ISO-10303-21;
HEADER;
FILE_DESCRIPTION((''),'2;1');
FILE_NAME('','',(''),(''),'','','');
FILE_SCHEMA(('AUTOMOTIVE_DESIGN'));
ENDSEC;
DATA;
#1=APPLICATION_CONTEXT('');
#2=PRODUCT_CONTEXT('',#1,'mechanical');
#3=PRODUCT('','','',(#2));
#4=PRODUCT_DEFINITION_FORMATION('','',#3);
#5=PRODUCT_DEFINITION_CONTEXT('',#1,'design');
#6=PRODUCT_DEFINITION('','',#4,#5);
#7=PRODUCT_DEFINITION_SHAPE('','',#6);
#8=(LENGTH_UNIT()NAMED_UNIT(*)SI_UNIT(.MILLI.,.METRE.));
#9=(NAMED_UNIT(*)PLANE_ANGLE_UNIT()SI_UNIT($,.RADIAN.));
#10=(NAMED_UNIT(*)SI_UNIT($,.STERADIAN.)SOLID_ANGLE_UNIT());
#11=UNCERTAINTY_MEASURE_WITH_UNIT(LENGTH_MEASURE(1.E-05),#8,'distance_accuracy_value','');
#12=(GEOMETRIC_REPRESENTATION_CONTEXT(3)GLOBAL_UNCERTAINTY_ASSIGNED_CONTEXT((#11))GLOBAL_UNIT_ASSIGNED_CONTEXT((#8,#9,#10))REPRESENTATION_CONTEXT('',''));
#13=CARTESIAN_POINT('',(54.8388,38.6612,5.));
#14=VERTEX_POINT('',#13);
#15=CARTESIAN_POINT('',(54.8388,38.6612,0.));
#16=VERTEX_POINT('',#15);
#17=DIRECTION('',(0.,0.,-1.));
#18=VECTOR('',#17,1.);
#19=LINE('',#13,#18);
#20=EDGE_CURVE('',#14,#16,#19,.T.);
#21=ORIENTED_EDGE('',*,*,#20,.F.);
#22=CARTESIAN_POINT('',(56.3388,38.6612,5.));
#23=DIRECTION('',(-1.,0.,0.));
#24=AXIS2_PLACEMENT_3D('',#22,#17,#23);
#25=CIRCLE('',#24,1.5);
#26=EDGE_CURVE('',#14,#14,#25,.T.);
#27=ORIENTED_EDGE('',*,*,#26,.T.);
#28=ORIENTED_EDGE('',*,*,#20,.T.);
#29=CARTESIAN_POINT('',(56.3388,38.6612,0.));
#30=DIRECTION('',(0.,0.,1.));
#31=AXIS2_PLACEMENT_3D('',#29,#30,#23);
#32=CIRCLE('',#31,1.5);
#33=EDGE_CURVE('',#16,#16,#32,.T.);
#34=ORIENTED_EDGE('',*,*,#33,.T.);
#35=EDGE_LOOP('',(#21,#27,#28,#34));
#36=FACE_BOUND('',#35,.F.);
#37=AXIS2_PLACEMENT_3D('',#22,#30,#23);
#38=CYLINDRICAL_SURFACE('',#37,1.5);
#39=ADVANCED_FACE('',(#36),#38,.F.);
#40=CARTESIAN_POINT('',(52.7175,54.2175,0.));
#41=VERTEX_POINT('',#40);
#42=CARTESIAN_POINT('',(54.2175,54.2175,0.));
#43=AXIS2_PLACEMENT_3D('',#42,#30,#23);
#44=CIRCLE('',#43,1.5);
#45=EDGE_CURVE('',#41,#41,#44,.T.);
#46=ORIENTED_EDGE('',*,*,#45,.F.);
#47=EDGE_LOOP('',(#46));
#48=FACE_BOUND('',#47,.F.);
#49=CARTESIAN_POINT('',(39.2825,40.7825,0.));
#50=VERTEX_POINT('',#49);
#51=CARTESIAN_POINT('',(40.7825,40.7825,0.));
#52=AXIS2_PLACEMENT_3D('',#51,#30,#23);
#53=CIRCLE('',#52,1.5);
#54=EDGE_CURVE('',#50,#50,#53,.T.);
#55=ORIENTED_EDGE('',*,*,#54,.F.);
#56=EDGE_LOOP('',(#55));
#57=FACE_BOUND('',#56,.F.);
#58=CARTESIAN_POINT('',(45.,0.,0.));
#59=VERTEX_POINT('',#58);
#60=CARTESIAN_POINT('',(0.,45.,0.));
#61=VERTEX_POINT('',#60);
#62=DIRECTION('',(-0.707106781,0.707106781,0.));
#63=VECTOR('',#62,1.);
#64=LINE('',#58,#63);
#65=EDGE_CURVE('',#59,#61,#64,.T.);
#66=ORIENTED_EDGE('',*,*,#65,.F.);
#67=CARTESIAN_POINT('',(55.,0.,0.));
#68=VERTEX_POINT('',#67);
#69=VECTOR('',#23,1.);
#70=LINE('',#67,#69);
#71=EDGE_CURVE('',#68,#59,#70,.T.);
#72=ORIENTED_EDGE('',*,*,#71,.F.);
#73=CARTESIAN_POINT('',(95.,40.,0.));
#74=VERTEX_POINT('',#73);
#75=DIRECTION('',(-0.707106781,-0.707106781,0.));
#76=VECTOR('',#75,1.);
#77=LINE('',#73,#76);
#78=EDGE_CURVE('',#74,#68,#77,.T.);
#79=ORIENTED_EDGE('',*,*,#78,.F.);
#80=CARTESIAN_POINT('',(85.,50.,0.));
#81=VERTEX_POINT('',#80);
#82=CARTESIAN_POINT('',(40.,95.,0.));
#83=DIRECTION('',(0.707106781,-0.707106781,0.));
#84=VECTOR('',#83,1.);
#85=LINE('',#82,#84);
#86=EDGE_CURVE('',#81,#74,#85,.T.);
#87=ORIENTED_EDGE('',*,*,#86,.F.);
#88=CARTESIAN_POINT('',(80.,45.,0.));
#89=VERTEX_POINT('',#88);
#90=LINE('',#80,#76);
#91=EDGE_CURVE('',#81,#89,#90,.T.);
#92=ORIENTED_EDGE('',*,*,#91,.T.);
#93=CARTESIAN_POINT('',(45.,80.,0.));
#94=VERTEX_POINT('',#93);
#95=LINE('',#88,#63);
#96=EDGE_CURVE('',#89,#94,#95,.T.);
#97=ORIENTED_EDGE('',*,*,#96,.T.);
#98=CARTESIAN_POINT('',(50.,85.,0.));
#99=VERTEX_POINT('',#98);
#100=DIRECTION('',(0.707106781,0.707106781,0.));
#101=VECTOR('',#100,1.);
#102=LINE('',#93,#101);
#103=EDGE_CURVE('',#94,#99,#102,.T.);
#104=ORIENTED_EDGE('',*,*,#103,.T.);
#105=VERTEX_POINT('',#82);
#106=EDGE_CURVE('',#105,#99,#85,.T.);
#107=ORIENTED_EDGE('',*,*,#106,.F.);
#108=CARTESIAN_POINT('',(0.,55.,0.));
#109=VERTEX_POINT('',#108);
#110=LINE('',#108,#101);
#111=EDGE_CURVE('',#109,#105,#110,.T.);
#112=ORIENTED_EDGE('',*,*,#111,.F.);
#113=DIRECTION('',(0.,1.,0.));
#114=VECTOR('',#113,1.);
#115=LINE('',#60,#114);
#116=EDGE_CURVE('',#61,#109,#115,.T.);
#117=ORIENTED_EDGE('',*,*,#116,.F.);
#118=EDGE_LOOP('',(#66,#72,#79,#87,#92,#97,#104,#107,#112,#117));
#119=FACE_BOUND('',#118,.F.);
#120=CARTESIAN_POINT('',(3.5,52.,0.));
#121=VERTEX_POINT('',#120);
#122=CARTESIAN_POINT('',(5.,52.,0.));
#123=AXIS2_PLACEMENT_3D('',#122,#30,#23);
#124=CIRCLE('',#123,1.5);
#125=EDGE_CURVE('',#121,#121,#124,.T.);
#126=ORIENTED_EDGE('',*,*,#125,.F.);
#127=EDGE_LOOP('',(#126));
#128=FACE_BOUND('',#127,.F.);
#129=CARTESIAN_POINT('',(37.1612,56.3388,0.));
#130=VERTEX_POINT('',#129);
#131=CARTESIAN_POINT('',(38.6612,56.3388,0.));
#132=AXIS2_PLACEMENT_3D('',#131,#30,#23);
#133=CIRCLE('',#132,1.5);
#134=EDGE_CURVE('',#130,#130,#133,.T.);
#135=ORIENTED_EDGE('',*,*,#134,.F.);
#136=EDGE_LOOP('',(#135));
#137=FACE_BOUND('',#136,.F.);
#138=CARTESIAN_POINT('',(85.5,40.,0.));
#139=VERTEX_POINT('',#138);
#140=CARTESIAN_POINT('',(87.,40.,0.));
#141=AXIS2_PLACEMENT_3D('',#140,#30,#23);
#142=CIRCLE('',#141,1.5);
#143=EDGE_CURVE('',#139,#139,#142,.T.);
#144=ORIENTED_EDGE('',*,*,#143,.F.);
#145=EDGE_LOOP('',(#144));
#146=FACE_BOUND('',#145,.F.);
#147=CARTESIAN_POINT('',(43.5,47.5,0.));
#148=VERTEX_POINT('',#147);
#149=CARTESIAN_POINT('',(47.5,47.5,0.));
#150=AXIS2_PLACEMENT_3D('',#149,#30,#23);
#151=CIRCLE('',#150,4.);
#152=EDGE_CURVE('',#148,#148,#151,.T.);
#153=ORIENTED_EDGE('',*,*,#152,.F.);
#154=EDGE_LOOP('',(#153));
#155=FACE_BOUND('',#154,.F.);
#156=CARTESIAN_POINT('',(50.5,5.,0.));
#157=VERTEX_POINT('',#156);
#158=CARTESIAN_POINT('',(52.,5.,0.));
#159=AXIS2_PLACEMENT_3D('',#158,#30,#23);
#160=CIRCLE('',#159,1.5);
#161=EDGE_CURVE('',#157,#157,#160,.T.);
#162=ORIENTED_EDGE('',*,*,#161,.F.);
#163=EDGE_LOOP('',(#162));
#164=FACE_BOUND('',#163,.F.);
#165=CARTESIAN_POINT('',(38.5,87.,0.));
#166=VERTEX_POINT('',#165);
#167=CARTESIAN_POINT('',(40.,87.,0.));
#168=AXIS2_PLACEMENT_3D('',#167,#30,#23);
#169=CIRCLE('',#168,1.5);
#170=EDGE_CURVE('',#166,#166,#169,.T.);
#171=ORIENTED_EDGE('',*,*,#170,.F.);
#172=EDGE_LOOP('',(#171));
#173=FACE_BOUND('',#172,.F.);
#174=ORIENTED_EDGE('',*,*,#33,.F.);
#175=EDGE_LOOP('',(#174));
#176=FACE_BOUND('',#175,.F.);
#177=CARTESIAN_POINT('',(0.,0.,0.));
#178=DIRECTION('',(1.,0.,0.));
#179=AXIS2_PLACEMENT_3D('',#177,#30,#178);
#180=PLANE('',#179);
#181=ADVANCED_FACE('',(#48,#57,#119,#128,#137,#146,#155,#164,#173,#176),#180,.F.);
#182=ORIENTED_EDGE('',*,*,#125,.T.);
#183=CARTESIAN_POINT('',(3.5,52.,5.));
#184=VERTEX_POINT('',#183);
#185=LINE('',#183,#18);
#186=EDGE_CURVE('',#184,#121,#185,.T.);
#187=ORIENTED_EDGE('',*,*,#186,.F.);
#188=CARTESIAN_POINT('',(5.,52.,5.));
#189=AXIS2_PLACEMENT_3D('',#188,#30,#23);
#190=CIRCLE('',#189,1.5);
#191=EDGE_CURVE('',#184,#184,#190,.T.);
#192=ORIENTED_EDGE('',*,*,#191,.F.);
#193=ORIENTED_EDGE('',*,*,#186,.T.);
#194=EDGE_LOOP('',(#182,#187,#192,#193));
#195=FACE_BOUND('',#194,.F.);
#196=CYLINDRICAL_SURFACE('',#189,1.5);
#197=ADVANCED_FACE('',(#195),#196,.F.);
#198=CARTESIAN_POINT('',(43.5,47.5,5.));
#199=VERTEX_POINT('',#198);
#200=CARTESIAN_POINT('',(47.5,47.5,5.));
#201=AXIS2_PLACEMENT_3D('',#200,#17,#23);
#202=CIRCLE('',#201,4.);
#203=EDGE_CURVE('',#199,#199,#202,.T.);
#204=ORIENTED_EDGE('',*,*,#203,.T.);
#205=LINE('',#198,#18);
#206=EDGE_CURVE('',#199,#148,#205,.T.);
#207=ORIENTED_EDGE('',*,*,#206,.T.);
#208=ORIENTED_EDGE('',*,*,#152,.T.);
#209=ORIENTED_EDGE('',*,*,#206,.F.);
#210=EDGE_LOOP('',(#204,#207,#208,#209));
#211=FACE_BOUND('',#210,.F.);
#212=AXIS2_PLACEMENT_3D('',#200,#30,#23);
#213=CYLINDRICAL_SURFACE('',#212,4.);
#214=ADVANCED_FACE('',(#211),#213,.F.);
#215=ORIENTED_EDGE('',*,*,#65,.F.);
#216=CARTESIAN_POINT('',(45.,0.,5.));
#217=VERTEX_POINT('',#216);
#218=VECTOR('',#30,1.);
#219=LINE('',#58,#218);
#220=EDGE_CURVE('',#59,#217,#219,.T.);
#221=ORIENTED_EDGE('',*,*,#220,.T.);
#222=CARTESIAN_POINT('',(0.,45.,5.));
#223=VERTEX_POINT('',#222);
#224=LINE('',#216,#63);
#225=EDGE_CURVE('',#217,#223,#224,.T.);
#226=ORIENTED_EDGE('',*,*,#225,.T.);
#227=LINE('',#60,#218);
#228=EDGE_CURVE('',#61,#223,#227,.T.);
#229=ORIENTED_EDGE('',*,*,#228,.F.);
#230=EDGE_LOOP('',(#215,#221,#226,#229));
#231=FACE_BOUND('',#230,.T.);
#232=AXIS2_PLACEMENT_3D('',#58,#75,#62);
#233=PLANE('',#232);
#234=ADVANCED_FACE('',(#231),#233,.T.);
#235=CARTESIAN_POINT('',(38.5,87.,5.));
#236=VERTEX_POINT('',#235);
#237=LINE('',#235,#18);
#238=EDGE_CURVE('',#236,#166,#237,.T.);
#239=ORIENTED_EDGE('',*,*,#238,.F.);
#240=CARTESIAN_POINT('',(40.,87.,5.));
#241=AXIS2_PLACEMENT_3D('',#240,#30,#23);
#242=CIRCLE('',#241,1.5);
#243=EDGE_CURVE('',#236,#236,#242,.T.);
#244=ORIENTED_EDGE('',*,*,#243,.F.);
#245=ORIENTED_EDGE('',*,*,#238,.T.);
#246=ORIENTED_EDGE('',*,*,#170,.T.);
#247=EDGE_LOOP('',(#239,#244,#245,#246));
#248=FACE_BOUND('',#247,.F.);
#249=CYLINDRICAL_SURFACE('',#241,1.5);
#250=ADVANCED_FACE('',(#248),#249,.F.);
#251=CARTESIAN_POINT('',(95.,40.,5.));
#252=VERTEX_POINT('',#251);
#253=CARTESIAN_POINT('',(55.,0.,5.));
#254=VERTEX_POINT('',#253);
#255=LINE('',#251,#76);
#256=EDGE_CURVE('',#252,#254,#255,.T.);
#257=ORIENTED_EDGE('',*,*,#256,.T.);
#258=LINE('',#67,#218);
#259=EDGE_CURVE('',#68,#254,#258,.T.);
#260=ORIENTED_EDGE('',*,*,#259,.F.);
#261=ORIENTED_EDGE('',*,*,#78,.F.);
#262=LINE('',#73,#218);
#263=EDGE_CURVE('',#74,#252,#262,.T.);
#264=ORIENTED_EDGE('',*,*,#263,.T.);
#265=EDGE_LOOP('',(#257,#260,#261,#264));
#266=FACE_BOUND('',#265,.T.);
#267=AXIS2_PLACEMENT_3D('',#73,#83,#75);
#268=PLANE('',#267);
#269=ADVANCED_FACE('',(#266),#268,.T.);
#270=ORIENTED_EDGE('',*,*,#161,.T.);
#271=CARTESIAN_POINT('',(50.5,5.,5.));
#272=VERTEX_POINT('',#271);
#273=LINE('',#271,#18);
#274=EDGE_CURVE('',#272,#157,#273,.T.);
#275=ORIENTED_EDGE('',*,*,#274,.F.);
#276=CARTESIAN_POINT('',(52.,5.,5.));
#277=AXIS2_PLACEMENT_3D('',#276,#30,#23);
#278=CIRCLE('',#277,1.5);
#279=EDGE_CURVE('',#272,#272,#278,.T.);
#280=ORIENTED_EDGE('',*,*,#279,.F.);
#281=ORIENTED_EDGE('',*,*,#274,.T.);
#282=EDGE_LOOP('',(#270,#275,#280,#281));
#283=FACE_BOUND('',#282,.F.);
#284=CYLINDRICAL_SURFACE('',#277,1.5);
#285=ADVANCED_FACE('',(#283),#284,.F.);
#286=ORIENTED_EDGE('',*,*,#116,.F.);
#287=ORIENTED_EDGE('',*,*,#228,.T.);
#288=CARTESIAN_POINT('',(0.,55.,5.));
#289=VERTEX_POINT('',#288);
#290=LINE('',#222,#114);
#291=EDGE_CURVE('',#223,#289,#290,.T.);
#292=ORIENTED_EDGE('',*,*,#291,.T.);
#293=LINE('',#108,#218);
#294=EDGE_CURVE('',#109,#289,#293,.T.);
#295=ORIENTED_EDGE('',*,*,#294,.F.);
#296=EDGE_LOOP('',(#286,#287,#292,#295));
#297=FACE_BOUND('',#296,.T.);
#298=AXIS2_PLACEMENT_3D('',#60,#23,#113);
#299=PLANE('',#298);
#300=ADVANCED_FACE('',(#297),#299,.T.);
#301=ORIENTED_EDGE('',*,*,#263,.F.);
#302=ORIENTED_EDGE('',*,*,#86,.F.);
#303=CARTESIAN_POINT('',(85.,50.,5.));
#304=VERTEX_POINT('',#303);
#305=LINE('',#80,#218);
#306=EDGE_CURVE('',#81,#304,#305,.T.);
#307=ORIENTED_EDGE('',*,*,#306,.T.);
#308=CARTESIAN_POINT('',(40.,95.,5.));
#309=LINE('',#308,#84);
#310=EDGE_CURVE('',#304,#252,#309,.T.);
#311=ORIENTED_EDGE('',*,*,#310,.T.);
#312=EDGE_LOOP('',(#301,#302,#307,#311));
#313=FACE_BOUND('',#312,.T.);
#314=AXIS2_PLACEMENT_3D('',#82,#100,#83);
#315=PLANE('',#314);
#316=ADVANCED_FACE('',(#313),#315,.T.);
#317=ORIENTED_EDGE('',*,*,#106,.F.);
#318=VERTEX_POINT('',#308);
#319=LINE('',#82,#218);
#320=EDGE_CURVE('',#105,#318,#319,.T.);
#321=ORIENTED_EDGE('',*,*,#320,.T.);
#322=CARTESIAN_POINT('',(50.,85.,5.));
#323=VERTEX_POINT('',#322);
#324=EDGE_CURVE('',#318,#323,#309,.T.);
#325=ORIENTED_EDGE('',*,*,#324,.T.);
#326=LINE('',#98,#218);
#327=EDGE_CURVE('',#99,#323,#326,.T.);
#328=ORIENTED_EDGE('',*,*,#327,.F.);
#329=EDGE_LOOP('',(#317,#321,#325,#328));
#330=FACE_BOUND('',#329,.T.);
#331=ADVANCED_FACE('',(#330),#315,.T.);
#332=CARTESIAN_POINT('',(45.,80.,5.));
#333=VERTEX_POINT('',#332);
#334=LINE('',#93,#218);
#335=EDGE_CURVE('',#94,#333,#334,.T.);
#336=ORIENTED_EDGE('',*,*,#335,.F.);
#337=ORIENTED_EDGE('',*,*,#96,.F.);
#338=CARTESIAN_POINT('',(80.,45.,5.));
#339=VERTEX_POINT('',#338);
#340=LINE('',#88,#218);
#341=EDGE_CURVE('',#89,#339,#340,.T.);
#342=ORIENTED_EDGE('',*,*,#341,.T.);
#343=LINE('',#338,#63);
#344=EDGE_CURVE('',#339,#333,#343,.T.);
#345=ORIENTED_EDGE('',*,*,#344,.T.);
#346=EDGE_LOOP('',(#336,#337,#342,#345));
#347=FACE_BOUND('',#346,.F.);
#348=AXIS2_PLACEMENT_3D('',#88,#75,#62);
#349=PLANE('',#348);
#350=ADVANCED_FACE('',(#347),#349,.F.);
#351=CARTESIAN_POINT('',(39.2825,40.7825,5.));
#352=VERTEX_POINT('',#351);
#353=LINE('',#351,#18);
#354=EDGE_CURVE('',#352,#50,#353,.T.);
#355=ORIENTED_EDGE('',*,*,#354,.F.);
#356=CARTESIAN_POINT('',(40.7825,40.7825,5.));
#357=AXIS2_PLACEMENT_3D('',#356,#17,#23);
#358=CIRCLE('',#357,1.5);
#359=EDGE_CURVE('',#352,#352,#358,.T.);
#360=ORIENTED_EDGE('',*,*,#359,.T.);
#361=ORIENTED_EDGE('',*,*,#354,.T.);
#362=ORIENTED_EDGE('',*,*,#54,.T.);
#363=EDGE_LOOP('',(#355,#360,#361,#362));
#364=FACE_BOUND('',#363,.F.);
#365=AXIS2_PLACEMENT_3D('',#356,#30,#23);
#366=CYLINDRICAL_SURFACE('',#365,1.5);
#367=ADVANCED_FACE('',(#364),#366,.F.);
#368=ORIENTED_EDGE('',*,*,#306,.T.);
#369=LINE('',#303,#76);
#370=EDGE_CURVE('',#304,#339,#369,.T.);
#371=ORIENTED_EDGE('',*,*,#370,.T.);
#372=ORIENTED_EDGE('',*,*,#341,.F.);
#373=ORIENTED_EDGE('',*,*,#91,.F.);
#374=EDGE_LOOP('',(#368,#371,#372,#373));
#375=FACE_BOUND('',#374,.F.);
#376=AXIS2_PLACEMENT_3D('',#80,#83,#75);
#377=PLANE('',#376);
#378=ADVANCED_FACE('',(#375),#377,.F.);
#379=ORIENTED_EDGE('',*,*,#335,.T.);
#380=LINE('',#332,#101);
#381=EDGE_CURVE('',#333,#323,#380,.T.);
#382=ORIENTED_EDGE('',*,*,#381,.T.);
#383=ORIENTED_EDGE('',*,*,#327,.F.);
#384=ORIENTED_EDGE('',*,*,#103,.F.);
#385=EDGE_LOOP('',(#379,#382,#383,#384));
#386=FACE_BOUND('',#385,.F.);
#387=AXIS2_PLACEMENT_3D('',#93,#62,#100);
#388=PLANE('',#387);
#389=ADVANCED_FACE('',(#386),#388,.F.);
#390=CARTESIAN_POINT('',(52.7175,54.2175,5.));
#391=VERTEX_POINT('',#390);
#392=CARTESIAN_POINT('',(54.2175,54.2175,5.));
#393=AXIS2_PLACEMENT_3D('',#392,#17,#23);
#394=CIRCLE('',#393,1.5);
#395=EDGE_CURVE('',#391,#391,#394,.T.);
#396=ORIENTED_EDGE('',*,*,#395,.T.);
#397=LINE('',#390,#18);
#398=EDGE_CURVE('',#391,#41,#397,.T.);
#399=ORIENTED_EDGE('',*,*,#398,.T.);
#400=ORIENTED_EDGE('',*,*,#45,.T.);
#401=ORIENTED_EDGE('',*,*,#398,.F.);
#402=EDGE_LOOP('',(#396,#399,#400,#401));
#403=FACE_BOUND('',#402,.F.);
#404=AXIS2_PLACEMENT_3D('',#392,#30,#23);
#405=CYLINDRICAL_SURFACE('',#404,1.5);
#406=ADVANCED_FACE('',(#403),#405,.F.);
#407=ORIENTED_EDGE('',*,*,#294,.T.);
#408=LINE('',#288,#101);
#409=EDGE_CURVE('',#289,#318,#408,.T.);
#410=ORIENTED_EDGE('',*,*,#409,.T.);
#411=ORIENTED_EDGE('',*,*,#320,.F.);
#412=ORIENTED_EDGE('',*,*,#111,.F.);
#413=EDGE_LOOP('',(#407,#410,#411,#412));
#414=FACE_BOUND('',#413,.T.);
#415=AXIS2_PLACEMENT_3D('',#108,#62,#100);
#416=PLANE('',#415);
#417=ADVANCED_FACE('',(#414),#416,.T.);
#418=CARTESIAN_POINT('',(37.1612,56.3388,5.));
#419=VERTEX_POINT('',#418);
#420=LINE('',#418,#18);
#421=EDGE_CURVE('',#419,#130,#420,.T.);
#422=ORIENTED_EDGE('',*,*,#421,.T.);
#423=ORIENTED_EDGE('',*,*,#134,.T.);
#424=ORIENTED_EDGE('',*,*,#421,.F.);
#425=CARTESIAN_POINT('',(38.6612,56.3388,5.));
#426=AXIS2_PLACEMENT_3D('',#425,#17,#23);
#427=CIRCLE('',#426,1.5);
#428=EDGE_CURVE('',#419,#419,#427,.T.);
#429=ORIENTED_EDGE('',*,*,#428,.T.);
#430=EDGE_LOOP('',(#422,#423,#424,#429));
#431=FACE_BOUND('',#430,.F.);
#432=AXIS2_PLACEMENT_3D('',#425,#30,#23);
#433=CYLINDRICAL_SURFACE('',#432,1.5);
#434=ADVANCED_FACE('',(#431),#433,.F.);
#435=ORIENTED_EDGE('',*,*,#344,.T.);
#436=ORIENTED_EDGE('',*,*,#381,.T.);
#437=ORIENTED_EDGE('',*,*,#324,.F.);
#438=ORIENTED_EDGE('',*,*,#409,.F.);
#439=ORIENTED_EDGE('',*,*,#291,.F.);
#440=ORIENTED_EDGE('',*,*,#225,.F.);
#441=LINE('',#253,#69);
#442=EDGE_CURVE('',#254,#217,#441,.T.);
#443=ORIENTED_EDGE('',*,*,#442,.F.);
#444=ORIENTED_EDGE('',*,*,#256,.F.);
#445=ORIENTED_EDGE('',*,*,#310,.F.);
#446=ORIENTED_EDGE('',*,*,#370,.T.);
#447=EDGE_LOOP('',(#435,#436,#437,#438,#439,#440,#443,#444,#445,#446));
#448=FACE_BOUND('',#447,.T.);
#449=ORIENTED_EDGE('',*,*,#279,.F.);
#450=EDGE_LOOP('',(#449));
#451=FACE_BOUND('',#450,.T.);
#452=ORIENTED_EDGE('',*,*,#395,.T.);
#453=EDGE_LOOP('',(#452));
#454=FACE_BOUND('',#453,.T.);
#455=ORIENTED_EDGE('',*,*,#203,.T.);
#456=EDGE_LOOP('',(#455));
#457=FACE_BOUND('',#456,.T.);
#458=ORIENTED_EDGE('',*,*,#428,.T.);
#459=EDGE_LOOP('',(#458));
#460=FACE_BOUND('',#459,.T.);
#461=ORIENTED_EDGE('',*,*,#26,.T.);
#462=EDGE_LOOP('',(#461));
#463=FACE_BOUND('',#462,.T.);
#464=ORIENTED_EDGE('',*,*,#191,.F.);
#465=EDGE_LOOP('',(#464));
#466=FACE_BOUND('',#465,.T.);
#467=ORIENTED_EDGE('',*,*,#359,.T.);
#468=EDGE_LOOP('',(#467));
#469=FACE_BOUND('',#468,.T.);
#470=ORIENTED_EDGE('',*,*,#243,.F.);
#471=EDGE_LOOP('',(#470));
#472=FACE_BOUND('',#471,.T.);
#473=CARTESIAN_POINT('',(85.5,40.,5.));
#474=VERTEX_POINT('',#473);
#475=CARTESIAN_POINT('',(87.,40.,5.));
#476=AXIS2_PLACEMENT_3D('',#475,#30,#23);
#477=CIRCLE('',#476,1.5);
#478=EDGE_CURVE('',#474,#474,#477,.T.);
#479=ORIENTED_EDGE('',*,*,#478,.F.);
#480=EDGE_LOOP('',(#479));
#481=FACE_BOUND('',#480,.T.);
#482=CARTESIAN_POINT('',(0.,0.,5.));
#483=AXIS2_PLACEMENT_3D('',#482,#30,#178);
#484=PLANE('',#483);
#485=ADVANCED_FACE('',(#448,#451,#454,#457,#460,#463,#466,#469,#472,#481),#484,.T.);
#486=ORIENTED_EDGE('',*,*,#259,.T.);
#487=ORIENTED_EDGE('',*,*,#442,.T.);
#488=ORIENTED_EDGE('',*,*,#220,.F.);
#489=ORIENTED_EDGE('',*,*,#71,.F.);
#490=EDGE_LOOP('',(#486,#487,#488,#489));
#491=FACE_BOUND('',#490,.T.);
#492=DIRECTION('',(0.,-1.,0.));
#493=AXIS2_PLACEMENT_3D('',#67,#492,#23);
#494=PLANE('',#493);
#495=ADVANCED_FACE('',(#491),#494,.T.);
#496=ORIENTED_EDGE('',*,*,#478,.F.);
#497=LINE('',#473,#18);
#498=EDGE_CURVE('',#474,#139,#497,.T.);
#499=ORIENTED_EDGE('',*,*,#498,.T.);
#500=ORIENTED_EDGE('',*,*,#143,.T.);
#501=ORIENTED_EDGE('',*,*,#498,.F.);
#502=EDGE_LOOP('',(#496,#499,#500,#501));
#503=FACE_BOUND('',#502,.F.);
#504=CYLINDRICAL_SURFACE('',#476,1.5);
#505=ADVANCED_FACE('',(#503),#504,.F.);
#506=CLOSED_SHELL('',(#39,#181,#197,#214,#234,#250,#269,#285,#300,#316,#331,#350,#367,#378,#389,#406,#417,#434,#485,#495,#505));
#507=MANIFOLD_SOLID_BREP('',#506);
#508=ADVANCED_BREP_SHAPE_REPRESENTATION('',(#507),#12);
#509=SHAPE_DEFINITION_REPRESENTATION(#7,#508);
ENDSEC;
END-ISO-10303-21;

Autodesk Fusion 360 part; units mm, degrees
sketch "スケッチ1" plane through (0, 0, 0) normal (0, 0, 1) x (1, 0, 0)
  line L0 (55, 0) -> (45, 0)
  line L1 (45, 0) -> (0, 45)
  line L2 (0, 45) -> (0, 55)
  line L3 (0, 55) -> (40, 95)
  line L4 (40, 95) -> (95, 40)
  line L5 (95, 40) -> (55, 0)
extrude "押し出し1" add sketch "スケッチ1" along normal blind 5
sketch "スケッチ2" plane through (0, 0, 5) normal (0, 0, 1) x (-1, 0, 0)
  line L0 (-95, -40) -> (-40, -95)
  line L1 (-40, -95) -> (0, -55)
  line L2 (0, -55) -> (0, -45)
  line L3 (0, -45) -> (-45, 0)
  line L4 (-45, 0) -> (-55, 0)
  line L5 (-55, 0) -> (-95, -40)
  line L6 (-55, -10) -> (-80, -35)
  line L7 (-80, -45) -> (-45, -80)
  line L8 (-35, -80) -> (-10, -55)
  line L9 (-10, -55) -> (-55, -10)
  line L10 (-35, -80) -> (-45, -80)
  line L11 (-80, -45) -> (-80, -35)
  line L12 (-62.5, -62.5) -> (-32.5, -32.5)
  circle A0 centre (-47.5, -47.5) radius 21.225
  circle A1 centre (-40.7825, -40.7825) radius 1.5
  circle A2 centre (-56.3388, -38.6612) radius 1.5
  circle A3 centre (-54.2175, -54.2175) radius 1.5
  circle A4 centre (-38.6612, -56.3388) radius 1.5
  line L13 (-38.6612, -56.3388) -> (-56.3388, -38.6612)
  circle A5 centre (-47.5, -47.5) radius 4
  point P0 (-47.5, -47.5)
  dimension "d4" = 3
  dimension "d11" = 19
  dimension "d12" = 12.5
  dimension "d13" = 12.5
  dimension "d14" = 3
  dimension "d15" = 3
  dimension "d16" = 3
  dimension "d17" = 8
sketch "スケッチ3" plane through (0, 0, 5) normal (0, 0, 1) x (-1, 0, 0)
  circle A0 centre (-5, -52) radius 1.5
  circle A1 centre (-52, -5) radius 1.5
  circle A2 centre (-40, -87) radius 1.5
  circle A3 centre (-87, -40) radius 1.5
extrude "押し出し2" cut sketch "スケッチ3" sketch "スケッチ2" against normal blind 5 of sketch 2 contours A2 | A4 | L12 A1 | L12 A1 | L12 A3 | L12 A3
sketch "スケッチ4" plane through (0, 0, 0) normal (0, 0, -1) x (1, 0, 0)
  line L0 (40, -95) -> (95, -40)
  line L1 (95, -40) -> (55, 0)
  line L2 (55, 0) -> (45, 0)
  line L3 (45, 0) -> (0, -45)
  line L4 (0, -45) -> (0, -55)
  line L5 (0, -55) -> (40, -95)
  circle A0 centre (38.6612, -56.3388) radius 1.5
  circle A1 centre (54.2175, -54.2175) radius 1.5
  circle A2 centre (87, -40) radius 1.5
  circle A3 centre (40, -87) radius 1.5
  circle A4 centre (52, -5) radius 1.5
  circle A5 centre (5, -52) radius 1.5
  circle A6 centre (40.7825, -40.7825) radius 1.5
  circle A7 centre (56.3388, -38.6612) radius 1.5
  line L6 (85, -50) -> (80, -45)
  line L7 (80, -45) -> (45, -80)
  line L8 (45, -80) -> (50, -85)
  line L9 (85, -50) -> (50, -85)
extrude "押し出し3" cut sketch "スケッチ4" against normal blind 5 contours L0 L6 L7 L8 L9
extrude "押し出し4" cut sketch "スケッチ2" against normal blind 12 contours L12 L13 A5 | L12 L13 A5 | L12 L13 A5 | L12 L13 A5
